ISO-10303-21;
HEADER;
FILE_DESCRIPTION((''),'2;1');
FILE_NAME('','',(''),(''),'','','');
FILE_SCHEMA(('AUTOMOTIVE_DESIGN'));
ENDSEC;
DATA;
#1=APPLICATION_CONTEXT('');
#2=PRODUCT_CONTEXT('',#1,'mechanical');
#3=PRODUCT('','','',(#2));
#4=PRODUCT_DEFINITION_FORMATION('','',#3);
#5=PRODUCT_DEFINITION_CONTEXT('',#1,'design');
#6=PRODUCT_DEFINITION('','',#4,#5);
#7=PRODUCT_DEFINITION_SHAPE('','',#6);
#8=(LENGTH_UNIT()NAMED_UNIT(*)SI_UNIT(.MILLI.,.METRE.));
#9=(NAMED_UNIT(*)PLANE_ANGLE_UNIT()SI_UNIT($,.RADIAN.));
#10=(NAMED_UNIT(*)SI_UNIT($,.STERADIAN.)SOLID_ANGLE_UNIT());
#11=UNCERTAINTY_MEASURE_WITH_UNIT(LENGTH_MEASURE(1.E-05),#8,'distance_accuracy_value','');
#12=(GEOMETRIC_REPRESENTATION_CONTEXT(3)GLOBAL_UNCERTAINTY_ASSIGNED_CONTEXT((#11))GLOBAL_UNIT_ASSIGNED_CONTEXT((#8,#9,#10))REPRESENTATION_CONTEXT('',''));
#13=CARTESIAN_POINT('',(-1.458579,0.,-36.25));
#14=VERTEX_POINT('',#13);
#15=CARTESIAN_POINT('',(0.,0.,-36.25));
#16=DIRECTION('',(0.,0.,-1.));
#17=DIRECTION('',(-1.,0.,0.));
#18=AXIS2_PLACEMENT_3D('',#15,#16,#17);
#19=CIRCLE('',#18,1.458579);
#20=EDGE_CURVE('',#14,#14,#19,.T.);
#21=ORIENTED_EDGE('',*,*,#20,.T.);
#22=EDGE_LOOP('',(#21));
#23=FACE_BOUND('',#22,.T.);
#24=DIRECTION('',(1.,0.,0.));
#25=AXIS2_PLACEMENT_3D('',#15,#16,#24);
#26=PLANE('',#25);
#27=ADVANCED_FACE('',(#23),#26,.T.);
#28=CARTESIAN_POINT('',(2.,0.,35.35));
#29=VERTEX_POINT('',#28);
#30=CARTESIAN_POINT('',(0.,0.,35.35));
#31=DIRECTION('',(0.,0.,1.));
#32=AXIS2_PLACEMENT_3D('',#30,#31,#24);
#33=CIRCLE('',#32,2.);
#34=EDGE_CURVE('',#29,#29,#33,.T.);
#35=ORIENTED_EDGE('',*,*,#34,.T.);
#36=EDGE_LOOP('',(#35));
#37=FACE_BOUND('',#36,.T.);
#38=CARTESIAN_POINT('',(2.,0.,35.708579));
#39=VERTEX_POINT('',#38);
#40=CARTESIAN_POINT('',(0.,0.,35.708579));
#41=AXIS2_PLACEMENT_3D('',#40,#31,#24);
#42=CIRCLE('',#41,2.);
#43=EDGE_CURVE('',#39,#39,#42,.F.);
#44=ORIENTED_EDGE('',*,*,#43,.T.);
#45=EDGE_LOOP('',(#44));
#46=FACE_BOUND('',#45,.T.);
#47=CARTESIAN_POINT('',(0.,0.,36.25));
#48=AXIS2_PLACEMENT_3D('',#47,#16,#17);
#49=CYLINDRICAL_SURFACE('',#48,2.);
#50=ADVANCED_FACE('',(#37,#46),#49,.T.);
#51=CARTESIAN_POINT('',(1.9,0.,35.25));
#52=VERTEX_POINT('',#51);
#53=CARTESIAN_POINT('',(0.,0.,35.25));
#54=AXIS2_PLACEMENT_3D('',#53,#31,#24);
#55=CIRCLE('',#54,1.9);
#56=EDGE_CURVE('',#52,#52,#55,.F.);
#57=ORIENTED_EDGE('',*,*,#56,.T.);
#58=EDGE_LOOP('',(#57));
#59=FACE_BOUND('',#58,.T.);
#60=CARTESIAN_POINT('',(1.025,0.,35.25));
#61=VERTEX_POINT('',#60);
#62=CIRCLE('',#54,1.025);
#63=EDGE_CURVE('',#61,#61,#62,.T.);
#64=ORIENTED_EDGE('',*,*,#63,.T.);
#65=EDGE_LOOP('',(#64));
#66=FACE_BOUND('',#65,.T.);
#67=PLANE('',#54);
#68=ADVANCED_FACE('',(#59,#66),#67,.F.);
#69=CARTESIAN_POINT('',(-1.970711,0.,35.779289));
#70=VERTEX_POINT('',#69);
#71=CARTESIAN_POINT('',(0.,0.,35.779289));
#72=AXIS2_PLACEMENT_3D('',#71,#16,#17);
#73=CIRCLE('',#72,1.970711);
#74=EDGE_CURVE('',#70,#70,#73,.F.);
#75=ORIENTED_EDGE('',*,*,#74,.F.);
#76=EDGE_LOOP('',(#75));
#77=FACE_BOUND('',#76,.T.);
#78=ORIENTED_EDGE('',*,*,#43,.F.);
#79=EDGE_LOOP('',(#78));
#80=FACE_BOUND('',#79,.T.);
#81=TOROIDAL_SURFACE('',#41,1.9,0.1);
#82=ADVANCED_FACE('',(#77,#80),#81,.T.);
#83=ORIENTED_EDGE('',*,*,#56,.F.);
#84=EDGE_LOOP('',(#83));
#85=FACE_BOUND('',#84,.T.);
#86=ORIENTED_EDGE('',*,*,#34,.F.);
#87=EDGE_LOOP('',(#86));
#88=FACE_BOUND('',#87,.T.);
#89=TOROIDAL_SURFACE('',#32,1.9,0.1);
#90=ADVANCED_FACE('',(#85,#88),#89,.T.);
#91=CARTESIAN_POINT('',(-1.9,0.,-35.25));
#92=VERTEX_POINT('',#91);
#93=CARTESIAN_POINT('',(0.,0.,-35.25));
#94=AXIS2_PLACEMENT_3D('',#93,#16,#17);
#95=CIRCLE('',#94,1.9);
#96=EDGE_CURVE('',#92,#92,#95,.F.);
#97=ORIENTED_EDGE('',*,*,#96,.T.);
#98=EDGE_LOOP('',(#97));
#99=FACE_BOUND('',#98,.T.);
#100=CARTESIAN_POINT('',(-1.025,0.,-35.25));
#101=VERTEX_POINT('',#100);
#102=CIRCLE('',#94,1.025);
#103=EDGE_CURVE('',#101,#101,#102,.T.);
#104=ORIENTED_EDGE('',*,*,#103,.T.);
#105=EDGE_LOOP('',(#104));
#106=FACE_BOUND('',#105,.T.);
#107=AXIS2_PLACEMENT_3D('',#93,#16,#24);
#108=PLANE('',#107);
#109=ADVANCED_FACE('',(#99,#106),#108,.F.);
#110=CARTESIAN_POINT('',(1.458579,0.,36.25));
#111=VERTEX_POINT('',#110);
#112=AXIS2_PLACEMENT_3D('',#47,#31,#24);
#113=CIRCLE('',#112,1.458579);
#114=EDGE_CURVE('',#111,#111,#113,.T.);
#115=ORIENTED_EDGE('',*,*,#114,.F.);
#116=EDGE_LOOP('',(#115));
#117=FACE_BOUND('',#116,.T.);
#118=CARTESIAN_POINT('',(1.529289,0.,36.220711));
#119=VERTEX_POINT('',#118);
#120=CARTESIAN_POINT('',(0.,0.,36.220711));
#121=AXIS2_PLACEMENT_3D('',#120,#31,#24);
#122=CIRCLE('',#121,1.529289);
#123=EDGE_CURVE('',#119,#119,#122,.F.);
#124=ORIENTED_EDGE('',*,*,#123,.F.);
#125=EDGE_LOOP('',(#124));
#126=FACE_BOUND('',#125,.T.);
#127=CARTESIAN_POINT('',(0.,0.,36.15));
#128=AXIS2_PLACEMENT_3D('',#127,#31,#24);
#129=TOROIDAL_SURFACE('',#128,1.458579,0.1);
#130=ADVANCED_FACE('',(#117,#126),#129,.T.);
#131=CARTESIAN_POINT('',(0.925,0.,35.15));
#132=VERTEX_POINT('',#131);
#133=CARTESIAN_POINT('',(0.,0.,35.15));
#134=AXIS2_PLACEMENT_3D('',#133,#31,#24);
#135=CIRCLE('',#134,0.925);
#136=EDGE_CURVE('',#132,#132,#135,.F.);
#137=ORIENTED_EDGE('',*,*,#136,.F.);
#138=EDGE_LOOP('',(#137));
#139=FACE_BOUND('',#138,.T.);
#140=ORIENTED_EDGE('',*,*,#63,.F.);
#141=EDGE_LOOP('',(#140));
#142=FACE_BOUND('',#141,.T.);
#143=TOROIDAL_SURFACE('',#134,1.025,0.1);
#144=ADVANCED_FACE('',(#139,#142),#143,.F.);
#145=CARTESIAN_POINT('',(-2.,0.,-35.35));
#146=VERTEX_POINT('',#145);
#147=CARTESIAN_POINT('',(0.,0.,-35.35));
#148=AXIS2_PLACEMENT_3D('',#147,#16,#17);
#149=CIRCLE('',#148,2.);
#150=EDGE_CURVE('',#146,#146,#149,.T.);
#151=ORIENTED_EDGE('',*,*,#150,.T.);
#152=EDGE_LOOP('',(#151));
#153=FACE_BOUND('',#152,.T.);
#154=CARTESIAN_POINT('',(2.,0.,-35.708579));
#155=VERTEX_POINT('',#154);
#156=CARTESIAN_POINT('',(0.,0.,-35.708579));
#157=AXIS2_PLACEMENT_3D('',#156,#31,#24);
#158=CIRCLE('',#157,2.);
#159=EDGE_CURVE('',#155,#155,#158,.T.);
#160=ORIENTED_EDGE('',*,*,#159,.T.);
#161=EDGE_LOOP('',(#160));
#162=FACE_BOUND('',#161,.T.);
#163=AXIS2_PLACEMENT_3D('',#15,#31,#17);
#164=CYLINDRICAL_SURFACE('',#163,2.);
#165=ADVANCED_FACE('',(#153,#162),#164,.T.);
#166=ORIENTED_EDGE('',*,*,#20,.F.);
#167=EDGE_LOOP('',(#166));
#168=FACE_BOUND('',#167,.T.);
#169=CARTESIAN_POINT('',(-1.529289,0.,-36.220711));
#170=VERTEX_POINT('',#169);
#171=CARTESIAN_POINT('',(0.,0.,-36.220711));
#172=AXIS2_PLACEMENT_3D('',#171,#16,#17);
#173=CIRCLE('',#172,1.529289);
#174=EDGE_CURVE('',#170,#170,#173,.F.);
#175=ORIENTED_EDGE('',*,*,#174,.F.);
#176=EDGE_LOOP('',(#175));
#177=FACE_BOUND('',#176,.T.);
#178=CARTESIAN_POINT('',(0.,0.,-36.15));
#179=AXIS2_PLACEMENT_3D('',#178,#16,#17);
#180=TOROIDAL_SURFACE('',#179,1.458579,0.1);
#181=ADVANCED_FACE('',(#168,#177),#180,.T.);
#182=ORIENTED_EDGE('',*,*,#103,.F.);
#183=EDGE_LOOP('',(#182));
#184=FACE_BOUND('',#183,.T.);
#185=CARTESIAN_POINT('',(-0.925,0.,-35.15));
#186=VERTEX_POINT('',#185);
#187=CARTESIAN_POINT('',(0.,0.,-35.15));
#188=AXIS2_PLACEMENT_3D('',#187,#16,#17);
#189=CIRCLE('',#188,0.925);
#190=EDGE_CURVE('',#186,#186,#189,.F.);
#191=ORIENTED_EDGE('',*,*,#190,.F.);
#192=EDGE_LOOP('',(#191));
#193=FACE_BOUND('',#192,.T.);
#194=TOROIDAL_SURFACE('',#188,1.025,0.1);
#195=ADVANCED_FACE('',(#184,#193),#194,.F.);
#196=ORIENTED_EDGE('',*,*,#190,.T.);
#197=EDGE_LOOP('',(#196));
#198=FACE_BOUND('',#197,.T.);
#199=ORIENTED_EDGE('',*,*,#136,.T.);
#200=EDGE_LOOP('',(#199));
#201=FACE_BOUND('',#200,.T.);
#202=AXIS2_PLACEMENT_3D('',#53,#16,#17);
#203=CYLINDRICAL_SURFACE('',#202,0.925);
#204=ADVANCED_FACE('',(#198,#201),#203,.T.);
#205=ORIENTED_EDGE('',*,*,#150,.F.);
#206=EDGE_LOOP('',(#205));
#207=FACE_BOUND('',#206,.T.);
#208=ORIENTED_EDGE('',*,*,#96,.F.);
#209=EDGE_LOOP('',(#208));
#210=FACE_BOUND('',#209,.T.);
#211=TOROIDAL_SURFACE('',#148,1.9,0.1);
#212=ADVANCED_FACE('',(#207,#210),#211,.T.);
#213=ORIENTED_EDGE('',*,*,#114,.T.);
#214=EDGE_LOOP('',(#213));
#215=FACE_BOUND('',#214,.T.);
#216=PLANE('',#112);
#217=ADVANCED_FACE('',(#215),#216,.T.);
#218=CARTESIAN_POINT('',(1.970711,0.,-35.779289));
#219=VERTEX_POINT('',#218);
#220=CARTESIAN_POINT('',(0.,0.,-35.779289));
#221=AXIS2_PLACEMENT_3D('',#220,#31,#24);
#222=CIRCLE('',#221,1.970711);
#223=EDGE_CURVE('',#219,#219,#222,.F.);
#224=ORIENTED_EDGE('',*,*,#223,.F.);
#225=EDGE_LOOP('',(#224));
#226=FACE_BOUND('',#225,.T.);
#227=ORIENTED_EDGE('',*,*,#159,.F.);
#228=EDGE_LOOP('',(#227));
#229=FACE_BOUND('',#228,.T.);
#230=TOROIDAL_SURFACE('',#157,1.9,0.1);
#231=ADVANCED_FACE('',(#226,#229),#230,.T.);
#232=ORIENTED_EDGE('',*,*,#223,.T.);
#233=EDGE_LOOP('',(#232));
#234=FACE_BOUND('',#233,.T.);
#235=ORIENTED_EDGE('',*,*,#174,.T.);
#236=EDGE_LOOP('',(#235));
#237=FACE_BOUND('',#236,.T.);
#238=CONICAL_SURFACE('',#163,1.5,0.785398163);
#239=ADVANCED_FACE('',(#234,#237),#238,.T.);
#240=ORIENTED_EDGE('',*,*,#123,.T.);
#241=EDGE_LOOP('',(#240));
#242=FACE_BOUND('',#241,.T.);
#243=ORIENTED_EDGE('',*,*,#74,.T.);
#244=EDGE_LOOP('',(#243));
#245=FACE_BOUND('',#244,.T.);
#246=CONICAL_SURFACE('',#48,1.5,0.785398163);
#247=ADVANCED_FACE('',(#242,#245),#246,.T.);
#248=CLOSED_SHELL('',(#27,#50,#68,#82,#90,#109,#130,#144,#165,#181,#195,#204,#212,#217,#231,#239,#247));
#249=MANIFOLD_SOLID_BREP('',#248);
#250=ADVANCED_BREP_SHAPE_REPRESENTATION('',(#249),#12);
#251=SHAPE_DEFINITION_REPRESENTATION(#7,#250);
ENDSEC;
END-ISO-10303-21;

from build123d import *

# Parameters (mm, degrees)
SKETCH1_R           = 0.925
BOSS_EXTRUDE1_DEPTH = 35.25
SKETCH2_R           = 2
BOSS_EXTRUDE2_DEPTH = 1
CHAMFER1_SIZE       = 0.5
FILLET1_R           = 0.1


with BuildPart() as part:
    # Sketch1 → Boss-Extrude1 (new body)
    with BuildSketch(Plane.XY):
        Circle(SKETCH1_R)
    extrude(amount=BOSS_EXTRUDE1_DEPTH)

    # Sketch2 → Boss-Extrude2 (add)
    with BuildSketch(Plane.XY.offset(35.25)):
        Circle(SKETCH2_R)
    extrude(amount=BOSS_EXTRUDE2_DEPTH)

    # Chamfer1
    chamfer1_edges = [part.edges().sort_by_distance(p)[0] for p in [
        (-2, 0, 36.25),
    ]]
    chamfer(chamfer1_edges, length=CHAMFER1_SIZE)

    # Mirror1: part across plane


with BuildPart() as part_1:
    add(part.part)
    add(part.part.mirror(Plane.XY))

    # Fillet1
    fillet1_edges = [part_1.edges().sort_by_distance(p)[0] for p in [
        (-2, 0, 35.75),
        (-0.925, 0, -35.25),
        (-2, 0, -35.25),
        (-2, 0, -35.75),
        (-1.5, 0, -36.25),
        (-0.925, 0, 35.25),
        (-2, 0, 35.25),
        (-1.5, 0, 36.25),
    ]]
    fillet(fillet1_edges, radius=FILLET1_R)


solid = part_1.part
